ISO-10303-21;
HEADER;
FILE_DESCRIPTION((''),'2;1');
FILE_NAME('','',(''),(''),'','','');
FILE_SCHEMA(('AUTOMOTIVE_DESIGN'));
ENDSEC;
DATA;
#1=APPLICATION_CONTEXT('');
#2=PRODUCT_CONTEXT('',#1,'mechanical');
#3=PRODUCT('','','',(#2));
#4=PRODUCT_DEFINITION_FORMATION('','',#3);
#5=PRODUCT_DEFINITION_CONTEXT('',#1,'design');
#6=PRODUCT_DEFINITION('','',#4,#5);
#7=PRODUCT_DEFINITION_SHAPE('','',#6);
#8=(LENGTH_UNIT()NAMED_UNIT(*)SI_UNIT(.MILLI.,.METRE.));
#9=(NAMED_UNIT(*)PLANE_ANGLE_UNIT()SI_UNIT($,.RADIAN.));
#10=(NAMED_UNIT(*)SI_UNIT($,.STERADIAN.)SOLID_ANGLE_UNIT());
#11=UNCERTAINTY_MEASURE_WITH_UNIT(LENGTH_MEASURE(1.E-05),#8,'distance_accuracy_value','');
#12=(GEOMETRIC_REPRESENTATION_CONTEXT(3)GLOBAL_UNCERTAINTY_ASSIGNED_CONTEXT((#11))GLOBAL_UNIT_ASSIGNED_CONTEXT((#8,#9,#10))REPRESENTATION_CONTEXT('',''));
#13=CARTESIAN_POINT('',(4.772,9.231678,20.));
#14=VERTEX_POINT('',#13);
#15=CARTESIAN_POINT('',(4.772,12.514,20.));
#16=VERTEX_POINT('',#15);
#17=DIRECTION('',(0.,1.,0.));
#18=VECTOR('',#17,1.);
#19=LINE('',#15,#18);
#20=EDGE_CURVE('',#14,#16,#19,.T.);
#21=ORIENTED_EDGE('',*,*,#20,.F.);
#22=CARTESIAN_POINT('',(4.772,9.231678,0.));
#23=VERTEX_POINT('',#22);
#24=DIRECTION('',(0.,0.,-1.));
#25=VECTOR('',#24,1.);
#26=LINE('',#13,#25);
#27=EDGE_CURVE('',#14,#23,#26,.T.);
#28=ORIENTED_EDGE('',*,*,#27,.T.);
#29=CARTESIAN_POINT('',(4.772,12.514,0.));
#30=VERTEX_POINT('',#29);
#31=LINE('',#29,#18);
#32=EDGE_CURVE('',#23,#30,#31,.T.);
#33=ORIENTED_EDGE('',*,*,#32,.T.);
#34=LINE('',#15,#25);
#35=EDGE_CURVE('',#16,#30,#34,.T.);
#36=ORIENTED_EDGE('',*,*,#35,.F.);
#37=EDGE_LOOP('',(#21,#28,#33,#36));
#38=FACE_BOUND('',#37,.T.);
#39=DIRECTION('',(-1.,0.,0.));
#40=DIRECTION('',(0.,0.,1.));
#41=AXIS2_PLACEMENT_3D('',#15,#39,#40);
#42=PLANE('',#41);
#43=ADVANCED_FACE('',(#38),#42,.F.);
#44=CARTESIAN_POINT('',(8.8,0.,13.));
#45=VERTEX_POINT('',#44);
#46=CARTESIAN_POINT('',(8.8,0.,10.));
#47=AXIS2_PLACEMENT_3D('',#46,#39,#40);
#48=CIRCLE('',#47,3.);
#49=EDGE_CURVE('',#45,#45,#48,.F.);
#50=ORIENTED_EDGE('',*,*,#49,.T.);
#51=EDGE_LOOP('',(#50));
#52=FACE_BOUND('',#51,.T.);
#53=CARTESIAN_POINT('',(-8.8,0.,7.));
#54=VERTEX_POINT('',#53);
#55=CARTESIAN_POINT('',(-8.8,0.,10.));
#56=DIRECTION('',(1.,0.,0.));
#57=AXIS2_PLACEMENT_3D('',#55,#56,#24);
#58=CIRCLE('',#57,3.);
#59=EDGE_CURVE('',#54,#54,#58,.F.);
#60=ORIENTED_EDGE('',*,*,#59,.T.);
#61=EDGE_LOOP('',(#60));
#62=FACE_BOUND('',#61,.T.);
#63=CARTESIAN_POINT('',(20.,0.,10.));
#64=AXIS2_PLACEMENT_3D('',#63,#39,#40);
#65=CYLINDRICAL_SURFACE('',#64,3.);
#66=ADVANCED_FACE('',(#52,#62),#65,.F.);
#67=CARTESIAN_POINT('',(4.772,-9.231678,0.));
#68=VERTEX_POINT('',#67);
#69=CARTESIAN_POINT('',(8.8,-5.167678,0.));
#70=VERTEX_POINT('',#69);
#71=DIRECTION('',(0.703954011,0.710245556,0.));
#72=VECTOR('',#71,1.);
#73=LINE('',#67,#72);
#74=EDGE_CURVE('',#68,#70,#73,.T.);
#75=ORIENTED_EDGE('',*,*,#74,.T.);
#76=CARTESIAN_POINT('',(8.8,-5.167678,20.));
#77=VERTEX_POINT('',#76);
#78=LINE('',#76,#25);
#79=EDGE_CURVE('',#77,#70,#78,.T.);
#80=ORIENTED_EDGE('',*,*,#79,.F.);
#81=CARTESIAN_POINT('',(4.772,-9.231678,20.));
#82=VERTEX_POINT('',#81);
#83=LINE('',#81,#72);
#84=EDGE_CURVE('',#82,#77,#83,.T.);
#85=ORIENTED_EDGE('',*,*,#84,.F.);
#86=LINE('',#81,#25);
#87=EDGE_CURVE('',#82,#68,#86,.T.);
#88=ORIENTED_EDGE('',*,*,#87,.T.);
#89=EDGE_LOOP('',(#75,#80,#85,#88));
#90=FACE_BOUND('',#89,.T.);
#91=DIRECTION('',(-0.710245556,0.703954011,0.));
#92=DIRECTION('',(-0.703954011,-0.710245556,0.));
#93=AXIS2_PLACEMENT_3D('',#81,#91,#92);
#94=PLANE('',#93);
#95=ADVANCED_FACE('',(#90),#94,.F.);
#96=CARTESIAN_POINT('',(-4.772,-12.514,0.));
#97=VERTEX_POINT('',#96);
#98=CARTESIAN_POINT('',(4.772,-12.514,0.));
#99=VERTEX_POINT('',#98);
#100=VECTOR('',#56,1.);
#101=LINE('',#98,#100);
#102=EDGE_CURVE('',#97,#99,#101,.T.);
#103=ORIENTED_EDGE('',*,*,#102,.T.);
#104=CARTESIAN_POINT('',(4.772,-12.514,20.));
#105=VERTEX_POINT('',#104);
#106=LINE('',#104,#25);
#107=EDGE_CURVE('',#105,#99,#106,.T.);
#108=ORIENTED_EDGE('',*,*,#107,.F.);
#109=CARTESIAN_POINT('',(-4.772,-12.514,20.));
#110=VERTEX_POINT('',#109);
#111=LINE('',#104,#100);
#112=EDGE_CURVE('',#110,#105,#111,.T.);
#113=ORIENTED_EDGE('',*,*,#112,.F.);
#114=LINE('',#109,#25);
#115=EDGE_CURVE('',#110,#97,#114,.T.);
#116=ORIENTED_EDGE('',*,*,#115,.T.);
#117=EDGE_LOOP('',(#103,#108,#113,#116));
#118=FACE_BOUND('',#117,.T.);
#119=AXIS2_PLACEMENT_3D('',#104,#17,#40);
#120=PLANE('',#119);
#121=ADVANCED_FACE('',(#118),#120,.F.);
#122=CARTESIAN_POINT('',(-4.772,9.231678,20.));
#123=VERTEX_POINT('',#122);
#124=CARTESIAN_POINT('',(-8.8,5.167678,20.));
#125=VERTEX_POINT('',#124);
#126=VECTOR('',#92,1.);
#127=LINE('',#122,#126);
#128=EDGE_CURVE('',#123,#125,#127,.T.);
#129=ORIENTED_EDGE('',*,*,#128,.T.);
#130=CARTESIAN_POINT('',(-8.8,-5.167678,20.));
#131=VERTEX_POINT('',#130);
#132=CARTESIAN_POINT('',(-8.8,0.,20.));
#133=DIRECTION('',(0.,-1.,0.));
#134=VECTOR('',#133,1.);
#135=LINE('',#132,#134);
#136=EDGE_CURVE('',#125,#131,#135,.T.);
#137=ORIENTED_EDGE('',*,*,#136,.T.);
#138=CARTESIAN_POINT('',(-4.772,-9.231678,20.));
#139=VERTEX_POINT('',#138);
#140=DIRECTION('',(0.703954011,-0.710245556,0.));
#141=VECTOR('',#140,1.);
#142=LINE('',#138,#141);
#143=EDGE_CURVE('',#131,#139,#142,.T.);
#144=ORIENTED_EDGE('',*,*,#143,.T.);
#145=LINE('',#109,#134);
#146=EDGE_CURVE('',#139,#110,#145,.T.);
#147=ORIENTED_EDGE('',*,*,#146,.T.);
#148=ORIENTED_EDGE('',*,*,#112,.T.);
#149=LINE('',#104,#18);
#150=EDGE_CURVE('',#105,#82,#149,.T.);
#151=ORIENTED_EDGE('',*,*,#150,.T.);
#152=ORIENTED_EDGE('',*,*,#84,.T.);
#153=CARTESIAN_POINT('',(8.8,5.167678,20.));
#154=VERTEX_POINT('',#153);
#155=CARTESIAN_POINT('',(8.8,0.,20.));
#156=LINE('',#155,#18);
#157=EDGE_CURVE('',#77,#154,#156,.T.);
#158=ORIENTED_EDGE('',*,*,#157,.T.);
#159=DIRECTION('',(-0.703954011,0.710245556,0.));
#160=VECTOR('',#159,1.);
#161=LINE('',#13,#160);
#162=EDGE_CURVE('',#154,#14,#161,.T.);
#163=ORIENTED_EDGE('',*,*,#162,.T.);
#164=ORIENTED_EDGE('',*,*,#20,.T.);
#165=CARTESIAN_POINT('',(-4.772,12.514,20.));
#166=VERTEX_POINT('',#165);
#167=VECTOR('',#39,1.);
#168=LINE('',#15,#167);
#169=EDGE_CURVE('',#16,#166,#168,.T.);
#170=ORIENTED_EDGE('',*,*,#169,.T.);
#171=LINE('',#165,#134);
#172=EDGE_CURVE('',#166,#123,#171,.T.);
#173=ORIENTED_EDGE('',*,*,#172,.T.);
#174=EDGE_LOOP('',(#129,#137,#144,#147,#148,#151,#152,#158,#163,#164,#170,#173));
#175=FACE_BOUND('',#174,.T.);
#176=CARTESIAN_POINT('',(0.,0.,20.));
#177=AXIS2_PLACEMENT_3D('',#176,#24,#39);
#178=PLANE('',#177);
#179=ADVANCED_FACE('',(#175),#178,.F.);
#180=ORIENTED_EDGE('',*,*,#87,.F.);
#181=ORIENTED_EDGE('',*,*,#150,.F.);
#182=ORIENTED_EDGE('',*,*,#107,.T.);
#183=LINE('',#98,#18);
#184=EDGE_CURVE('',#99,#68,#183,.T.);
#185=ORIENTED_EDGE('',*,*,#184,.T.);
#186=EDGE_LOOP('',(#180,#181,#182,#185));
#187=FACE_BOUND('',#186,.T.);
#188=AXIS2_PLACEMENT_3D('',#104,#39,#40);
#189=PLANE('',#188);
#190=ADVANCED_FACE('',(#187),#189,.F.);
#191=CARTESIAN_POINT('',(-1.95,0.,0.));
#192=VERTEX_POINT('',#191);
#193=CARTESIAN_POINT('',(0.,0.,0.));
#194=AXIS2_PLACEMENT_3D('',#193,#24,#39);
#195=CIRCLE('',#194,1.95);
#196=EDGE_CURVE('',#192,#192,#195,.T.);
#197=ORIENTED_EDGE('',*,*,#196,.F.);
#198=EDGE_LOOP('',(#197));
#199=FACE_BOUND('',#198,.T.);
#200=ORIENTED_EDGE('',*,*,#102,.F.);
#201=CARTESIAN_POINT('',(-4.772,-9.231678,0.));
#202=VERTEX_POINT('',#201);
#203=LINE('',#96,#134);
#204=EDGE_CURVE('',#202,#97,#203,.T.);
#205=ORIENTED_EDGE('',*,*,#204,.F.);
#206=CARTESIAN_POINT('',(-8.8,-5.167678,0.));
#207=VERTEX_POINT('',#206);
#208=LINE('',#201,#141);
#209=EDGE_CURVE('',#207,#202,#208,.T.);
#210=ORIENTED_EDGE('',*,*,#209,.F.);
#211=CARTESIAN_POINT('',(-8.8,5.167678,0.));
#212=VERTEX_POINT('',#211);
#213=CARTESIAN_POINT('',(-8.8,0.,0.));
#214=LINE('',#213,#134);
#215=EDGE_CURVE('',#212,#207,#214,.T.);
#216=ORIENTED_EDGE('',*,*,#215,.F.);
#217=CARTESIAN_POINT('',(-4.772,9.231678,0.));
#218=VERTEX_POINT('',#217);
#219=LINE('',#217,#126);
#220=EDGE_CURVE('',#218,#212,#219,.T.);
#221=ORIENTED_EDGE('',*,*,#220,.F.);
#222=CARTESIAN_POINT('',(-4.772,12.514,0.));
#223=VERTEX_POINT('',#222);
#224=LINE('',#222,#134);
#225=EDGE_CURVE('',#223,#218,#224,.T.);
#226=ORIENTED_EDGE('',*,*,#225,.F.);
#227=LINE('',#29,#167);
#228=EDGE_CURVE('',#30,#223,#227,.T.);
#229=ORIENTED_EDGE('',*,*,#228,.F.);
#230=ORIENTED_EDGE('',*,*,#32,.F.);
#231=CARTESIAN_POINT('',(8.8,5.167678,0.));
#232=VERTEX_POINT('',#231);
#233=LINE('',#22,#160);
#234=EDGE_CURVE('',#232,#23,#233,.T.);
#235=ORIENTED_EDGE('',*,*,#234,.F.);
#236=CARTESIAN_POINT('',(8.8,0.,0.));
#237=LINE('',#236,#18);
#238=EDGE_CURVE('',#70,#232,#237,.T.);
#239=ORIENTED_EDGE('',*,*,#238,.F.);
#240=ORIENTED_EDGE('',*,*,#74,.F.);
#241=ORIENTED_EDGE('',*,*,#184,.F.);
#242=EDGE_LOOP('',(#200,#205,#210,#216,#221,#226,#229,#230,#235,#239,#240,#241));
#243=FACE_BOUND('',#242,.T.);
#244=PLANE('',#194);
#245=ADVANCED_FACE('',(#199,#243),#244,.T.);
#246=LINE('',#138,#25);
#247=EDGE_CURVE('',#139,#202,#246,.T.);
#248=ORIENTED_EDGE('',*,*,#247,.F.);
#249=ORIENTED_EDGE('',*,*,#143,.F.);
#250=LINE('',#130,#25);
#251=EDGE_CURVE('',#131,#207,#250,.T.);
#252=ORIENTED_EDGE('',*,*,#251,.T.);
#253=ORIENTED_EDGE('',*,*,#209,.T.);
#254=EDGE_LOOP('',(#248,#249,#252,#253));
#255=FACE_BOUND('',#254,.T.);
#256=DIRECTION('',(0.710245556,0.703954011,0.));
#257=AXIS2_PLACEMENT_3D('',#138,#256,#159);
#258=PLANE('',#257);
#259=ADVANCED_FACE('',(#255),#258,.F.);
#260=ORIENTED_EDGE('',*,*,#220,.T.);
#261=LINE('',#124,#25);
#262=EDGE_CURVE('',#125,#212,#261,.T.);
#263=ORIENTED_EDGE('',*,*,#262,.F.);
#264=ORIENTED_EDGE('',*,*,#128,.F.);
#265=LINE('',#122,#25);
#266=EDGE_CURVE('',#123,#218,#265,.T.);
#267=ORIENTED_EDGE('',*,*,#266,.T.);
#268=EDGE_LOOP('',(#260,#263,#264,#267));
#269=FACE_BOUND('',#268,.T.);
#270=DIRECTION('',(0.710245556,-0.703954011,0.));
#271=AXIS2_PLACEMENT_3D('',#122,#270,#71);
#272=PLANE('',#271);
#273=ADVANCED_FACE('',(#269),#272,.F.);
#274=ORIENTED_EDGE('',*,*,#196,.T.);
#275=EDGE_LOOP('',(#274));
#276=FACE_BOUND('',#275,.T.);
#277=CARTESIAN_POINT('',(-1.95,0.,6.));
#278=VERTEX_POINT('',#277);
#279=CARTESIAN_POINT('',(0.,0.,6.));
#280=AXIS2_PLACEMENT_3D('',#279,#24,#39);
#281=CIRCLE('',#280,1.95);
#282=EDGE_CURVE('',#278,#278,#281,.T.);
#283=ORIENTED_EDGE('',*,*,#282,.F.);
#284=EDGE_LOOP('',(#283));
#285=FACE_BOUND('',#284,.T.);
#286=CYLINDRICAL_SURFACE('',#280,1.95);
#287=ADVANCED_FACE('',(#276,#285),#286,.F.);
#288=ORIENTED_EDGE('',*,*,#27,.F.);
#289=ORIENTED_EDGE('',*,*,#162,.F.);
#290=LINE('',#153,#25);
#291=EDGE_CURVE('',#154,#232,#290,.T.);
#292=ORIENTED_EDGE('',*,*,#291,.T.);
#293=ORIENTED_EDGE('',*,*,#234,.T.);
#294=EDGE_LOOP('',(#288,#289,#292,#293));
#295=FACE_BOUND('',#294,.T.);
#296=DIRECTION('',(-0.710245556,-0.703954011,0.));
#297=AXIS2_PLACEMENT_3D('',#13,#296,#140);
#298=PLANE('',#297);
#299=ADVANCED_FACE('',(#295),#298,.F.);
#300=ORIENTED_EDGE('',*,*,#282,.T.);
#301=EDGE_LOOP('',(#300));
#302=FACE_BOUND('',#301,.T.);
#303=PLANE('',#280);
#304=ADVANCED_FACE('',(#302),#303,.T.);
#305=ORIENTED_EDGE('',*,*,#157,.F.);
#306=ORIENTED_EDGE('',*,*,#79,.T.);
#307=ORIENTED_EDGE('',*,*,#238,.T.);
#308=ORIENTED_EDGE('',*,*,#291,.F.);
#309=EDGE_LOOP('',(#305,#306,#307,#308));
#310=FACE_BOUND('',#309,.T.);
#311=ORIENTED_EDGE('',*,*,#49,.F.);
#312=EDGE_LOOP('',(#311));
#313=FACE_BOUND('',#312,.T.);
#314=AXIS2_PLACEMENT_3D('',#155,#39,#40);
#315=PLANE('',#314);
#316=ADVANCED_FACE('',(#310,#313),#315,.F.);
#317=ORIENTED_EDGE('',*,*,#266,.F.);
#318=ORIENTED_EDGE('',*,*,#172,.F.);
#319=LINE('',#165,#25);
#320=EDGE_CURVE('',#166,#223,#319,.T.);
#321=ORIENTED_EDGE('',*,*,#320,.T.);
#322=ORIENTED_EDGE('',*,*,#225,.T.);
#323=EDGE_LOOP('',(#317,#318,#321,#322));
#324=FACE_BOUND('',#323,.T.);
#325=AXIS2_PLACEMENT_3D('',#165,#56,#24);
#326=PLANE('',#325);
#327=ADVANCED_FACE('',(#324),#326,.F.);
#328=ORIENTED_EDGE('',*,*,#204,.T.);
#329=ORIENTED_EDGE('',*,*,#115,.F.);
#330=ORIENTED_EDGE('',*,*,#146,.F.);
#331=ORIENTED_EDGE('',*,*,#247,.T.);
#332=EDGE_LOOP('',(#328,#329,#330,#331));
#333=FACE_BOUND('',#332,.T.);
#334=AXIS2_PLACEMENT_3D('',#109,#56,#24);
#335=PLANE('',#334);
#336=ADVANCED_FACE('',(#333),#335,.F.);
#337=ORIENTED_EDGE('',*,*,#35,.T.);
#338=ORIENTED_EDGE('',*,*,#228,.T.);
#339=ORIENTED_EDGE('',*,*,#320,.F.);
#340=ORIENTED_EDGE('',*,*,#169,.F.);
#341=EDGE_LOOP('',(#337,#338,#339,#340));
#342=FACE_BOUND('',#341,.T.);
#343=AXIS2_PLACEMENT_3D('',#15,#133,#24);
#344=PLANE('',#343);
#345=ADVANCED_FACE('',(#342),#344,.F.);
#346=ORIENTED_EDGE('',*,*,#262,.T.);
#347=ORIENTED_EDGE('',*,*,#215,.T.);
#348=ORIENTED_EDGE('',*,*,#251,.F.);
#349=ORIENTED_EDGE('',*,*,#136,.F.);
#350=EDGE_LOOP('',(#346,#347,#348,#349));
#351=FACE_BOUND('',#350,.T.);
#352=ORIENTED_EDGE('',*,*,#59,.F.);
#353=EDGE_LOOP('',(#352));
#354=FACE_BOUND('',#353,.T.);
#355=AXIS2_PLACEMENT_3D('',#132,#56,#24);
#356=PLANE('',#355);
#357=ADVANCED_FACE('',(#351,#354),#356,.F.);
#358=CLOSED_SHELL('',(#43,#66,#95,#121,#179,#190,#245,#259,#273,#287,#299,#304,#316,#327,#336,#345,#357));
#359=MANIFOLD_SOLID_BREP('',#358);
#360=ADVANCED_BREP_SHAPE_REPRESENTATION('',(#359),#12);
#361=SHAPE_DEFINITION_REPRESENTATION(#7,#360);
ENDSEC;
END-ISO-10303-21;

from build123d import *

# Parameters (mm, degrees)
BOSS_EXTRUDE1_DEPTH     = 20
SKETCH2_R               = 3
CUT_EXTRUDE1_DEPTH      = 20
CUT_EXTRUDE1_DEPTH_BACK = 20
SKETCH3_R               = 1.95
CUT_EXTRUDE2_DEPTH      = 6


with BuildPart() as part:
    # Sketch1 → Boss-Extrude1 (new body)
    with BuildSketch(Plane.XY):
        Polygon((4.772, -12.514), (4.772, -9.231678019), (8.8, -5.167678019), (8.8, 0), (8.8, 5.167678019), (4.772, 9.231678019), (4.772, 12.514), (-4.772, 12.514), (-4.772, 9.231678019), (-8.8, 5.167678019), (-8.8, 0), (-8.8, -5.167678019), (-4.772, -9.231678019), (-4.772, -12.514), align=None)
    extrude(amount=BOSS_EXTRUDE1_DEPTH)

    # Sketch2 → Cut-Extrude1 (cut, two sides)
    with BuildSketch(Plane(origin=(0, 0, 0), x_dir=(0, 0, -1), z_dir=(1, 0, 0))) as cut_extrude1_sk:
        with Locations((-10, 0)):
            Circle(SKETCH2_R)
    extrude(amount=CUT_EXTRUDE1_DEPTH, mode=Mode.SUBTRACT)
    extrude(cut_extrude1_sk.sketch, amount=-CUT_EXTRUDE1_DEPTH_BACK, mode=Mode.SUBTRACT)

    # Sketch3 → Cut-Extrude2 (cut)
    with BuildSketch(Plane(origin=(0, 0, 0), x_dir=(-1, 0, 0), z_dir=(0, 0, -1))):
        Circle(SKETCH3_R)
    extrude(amount=-CUT_EXTRUDE2_DEPTH, mode=Mode.SUBTRACT)


solid = part.part
